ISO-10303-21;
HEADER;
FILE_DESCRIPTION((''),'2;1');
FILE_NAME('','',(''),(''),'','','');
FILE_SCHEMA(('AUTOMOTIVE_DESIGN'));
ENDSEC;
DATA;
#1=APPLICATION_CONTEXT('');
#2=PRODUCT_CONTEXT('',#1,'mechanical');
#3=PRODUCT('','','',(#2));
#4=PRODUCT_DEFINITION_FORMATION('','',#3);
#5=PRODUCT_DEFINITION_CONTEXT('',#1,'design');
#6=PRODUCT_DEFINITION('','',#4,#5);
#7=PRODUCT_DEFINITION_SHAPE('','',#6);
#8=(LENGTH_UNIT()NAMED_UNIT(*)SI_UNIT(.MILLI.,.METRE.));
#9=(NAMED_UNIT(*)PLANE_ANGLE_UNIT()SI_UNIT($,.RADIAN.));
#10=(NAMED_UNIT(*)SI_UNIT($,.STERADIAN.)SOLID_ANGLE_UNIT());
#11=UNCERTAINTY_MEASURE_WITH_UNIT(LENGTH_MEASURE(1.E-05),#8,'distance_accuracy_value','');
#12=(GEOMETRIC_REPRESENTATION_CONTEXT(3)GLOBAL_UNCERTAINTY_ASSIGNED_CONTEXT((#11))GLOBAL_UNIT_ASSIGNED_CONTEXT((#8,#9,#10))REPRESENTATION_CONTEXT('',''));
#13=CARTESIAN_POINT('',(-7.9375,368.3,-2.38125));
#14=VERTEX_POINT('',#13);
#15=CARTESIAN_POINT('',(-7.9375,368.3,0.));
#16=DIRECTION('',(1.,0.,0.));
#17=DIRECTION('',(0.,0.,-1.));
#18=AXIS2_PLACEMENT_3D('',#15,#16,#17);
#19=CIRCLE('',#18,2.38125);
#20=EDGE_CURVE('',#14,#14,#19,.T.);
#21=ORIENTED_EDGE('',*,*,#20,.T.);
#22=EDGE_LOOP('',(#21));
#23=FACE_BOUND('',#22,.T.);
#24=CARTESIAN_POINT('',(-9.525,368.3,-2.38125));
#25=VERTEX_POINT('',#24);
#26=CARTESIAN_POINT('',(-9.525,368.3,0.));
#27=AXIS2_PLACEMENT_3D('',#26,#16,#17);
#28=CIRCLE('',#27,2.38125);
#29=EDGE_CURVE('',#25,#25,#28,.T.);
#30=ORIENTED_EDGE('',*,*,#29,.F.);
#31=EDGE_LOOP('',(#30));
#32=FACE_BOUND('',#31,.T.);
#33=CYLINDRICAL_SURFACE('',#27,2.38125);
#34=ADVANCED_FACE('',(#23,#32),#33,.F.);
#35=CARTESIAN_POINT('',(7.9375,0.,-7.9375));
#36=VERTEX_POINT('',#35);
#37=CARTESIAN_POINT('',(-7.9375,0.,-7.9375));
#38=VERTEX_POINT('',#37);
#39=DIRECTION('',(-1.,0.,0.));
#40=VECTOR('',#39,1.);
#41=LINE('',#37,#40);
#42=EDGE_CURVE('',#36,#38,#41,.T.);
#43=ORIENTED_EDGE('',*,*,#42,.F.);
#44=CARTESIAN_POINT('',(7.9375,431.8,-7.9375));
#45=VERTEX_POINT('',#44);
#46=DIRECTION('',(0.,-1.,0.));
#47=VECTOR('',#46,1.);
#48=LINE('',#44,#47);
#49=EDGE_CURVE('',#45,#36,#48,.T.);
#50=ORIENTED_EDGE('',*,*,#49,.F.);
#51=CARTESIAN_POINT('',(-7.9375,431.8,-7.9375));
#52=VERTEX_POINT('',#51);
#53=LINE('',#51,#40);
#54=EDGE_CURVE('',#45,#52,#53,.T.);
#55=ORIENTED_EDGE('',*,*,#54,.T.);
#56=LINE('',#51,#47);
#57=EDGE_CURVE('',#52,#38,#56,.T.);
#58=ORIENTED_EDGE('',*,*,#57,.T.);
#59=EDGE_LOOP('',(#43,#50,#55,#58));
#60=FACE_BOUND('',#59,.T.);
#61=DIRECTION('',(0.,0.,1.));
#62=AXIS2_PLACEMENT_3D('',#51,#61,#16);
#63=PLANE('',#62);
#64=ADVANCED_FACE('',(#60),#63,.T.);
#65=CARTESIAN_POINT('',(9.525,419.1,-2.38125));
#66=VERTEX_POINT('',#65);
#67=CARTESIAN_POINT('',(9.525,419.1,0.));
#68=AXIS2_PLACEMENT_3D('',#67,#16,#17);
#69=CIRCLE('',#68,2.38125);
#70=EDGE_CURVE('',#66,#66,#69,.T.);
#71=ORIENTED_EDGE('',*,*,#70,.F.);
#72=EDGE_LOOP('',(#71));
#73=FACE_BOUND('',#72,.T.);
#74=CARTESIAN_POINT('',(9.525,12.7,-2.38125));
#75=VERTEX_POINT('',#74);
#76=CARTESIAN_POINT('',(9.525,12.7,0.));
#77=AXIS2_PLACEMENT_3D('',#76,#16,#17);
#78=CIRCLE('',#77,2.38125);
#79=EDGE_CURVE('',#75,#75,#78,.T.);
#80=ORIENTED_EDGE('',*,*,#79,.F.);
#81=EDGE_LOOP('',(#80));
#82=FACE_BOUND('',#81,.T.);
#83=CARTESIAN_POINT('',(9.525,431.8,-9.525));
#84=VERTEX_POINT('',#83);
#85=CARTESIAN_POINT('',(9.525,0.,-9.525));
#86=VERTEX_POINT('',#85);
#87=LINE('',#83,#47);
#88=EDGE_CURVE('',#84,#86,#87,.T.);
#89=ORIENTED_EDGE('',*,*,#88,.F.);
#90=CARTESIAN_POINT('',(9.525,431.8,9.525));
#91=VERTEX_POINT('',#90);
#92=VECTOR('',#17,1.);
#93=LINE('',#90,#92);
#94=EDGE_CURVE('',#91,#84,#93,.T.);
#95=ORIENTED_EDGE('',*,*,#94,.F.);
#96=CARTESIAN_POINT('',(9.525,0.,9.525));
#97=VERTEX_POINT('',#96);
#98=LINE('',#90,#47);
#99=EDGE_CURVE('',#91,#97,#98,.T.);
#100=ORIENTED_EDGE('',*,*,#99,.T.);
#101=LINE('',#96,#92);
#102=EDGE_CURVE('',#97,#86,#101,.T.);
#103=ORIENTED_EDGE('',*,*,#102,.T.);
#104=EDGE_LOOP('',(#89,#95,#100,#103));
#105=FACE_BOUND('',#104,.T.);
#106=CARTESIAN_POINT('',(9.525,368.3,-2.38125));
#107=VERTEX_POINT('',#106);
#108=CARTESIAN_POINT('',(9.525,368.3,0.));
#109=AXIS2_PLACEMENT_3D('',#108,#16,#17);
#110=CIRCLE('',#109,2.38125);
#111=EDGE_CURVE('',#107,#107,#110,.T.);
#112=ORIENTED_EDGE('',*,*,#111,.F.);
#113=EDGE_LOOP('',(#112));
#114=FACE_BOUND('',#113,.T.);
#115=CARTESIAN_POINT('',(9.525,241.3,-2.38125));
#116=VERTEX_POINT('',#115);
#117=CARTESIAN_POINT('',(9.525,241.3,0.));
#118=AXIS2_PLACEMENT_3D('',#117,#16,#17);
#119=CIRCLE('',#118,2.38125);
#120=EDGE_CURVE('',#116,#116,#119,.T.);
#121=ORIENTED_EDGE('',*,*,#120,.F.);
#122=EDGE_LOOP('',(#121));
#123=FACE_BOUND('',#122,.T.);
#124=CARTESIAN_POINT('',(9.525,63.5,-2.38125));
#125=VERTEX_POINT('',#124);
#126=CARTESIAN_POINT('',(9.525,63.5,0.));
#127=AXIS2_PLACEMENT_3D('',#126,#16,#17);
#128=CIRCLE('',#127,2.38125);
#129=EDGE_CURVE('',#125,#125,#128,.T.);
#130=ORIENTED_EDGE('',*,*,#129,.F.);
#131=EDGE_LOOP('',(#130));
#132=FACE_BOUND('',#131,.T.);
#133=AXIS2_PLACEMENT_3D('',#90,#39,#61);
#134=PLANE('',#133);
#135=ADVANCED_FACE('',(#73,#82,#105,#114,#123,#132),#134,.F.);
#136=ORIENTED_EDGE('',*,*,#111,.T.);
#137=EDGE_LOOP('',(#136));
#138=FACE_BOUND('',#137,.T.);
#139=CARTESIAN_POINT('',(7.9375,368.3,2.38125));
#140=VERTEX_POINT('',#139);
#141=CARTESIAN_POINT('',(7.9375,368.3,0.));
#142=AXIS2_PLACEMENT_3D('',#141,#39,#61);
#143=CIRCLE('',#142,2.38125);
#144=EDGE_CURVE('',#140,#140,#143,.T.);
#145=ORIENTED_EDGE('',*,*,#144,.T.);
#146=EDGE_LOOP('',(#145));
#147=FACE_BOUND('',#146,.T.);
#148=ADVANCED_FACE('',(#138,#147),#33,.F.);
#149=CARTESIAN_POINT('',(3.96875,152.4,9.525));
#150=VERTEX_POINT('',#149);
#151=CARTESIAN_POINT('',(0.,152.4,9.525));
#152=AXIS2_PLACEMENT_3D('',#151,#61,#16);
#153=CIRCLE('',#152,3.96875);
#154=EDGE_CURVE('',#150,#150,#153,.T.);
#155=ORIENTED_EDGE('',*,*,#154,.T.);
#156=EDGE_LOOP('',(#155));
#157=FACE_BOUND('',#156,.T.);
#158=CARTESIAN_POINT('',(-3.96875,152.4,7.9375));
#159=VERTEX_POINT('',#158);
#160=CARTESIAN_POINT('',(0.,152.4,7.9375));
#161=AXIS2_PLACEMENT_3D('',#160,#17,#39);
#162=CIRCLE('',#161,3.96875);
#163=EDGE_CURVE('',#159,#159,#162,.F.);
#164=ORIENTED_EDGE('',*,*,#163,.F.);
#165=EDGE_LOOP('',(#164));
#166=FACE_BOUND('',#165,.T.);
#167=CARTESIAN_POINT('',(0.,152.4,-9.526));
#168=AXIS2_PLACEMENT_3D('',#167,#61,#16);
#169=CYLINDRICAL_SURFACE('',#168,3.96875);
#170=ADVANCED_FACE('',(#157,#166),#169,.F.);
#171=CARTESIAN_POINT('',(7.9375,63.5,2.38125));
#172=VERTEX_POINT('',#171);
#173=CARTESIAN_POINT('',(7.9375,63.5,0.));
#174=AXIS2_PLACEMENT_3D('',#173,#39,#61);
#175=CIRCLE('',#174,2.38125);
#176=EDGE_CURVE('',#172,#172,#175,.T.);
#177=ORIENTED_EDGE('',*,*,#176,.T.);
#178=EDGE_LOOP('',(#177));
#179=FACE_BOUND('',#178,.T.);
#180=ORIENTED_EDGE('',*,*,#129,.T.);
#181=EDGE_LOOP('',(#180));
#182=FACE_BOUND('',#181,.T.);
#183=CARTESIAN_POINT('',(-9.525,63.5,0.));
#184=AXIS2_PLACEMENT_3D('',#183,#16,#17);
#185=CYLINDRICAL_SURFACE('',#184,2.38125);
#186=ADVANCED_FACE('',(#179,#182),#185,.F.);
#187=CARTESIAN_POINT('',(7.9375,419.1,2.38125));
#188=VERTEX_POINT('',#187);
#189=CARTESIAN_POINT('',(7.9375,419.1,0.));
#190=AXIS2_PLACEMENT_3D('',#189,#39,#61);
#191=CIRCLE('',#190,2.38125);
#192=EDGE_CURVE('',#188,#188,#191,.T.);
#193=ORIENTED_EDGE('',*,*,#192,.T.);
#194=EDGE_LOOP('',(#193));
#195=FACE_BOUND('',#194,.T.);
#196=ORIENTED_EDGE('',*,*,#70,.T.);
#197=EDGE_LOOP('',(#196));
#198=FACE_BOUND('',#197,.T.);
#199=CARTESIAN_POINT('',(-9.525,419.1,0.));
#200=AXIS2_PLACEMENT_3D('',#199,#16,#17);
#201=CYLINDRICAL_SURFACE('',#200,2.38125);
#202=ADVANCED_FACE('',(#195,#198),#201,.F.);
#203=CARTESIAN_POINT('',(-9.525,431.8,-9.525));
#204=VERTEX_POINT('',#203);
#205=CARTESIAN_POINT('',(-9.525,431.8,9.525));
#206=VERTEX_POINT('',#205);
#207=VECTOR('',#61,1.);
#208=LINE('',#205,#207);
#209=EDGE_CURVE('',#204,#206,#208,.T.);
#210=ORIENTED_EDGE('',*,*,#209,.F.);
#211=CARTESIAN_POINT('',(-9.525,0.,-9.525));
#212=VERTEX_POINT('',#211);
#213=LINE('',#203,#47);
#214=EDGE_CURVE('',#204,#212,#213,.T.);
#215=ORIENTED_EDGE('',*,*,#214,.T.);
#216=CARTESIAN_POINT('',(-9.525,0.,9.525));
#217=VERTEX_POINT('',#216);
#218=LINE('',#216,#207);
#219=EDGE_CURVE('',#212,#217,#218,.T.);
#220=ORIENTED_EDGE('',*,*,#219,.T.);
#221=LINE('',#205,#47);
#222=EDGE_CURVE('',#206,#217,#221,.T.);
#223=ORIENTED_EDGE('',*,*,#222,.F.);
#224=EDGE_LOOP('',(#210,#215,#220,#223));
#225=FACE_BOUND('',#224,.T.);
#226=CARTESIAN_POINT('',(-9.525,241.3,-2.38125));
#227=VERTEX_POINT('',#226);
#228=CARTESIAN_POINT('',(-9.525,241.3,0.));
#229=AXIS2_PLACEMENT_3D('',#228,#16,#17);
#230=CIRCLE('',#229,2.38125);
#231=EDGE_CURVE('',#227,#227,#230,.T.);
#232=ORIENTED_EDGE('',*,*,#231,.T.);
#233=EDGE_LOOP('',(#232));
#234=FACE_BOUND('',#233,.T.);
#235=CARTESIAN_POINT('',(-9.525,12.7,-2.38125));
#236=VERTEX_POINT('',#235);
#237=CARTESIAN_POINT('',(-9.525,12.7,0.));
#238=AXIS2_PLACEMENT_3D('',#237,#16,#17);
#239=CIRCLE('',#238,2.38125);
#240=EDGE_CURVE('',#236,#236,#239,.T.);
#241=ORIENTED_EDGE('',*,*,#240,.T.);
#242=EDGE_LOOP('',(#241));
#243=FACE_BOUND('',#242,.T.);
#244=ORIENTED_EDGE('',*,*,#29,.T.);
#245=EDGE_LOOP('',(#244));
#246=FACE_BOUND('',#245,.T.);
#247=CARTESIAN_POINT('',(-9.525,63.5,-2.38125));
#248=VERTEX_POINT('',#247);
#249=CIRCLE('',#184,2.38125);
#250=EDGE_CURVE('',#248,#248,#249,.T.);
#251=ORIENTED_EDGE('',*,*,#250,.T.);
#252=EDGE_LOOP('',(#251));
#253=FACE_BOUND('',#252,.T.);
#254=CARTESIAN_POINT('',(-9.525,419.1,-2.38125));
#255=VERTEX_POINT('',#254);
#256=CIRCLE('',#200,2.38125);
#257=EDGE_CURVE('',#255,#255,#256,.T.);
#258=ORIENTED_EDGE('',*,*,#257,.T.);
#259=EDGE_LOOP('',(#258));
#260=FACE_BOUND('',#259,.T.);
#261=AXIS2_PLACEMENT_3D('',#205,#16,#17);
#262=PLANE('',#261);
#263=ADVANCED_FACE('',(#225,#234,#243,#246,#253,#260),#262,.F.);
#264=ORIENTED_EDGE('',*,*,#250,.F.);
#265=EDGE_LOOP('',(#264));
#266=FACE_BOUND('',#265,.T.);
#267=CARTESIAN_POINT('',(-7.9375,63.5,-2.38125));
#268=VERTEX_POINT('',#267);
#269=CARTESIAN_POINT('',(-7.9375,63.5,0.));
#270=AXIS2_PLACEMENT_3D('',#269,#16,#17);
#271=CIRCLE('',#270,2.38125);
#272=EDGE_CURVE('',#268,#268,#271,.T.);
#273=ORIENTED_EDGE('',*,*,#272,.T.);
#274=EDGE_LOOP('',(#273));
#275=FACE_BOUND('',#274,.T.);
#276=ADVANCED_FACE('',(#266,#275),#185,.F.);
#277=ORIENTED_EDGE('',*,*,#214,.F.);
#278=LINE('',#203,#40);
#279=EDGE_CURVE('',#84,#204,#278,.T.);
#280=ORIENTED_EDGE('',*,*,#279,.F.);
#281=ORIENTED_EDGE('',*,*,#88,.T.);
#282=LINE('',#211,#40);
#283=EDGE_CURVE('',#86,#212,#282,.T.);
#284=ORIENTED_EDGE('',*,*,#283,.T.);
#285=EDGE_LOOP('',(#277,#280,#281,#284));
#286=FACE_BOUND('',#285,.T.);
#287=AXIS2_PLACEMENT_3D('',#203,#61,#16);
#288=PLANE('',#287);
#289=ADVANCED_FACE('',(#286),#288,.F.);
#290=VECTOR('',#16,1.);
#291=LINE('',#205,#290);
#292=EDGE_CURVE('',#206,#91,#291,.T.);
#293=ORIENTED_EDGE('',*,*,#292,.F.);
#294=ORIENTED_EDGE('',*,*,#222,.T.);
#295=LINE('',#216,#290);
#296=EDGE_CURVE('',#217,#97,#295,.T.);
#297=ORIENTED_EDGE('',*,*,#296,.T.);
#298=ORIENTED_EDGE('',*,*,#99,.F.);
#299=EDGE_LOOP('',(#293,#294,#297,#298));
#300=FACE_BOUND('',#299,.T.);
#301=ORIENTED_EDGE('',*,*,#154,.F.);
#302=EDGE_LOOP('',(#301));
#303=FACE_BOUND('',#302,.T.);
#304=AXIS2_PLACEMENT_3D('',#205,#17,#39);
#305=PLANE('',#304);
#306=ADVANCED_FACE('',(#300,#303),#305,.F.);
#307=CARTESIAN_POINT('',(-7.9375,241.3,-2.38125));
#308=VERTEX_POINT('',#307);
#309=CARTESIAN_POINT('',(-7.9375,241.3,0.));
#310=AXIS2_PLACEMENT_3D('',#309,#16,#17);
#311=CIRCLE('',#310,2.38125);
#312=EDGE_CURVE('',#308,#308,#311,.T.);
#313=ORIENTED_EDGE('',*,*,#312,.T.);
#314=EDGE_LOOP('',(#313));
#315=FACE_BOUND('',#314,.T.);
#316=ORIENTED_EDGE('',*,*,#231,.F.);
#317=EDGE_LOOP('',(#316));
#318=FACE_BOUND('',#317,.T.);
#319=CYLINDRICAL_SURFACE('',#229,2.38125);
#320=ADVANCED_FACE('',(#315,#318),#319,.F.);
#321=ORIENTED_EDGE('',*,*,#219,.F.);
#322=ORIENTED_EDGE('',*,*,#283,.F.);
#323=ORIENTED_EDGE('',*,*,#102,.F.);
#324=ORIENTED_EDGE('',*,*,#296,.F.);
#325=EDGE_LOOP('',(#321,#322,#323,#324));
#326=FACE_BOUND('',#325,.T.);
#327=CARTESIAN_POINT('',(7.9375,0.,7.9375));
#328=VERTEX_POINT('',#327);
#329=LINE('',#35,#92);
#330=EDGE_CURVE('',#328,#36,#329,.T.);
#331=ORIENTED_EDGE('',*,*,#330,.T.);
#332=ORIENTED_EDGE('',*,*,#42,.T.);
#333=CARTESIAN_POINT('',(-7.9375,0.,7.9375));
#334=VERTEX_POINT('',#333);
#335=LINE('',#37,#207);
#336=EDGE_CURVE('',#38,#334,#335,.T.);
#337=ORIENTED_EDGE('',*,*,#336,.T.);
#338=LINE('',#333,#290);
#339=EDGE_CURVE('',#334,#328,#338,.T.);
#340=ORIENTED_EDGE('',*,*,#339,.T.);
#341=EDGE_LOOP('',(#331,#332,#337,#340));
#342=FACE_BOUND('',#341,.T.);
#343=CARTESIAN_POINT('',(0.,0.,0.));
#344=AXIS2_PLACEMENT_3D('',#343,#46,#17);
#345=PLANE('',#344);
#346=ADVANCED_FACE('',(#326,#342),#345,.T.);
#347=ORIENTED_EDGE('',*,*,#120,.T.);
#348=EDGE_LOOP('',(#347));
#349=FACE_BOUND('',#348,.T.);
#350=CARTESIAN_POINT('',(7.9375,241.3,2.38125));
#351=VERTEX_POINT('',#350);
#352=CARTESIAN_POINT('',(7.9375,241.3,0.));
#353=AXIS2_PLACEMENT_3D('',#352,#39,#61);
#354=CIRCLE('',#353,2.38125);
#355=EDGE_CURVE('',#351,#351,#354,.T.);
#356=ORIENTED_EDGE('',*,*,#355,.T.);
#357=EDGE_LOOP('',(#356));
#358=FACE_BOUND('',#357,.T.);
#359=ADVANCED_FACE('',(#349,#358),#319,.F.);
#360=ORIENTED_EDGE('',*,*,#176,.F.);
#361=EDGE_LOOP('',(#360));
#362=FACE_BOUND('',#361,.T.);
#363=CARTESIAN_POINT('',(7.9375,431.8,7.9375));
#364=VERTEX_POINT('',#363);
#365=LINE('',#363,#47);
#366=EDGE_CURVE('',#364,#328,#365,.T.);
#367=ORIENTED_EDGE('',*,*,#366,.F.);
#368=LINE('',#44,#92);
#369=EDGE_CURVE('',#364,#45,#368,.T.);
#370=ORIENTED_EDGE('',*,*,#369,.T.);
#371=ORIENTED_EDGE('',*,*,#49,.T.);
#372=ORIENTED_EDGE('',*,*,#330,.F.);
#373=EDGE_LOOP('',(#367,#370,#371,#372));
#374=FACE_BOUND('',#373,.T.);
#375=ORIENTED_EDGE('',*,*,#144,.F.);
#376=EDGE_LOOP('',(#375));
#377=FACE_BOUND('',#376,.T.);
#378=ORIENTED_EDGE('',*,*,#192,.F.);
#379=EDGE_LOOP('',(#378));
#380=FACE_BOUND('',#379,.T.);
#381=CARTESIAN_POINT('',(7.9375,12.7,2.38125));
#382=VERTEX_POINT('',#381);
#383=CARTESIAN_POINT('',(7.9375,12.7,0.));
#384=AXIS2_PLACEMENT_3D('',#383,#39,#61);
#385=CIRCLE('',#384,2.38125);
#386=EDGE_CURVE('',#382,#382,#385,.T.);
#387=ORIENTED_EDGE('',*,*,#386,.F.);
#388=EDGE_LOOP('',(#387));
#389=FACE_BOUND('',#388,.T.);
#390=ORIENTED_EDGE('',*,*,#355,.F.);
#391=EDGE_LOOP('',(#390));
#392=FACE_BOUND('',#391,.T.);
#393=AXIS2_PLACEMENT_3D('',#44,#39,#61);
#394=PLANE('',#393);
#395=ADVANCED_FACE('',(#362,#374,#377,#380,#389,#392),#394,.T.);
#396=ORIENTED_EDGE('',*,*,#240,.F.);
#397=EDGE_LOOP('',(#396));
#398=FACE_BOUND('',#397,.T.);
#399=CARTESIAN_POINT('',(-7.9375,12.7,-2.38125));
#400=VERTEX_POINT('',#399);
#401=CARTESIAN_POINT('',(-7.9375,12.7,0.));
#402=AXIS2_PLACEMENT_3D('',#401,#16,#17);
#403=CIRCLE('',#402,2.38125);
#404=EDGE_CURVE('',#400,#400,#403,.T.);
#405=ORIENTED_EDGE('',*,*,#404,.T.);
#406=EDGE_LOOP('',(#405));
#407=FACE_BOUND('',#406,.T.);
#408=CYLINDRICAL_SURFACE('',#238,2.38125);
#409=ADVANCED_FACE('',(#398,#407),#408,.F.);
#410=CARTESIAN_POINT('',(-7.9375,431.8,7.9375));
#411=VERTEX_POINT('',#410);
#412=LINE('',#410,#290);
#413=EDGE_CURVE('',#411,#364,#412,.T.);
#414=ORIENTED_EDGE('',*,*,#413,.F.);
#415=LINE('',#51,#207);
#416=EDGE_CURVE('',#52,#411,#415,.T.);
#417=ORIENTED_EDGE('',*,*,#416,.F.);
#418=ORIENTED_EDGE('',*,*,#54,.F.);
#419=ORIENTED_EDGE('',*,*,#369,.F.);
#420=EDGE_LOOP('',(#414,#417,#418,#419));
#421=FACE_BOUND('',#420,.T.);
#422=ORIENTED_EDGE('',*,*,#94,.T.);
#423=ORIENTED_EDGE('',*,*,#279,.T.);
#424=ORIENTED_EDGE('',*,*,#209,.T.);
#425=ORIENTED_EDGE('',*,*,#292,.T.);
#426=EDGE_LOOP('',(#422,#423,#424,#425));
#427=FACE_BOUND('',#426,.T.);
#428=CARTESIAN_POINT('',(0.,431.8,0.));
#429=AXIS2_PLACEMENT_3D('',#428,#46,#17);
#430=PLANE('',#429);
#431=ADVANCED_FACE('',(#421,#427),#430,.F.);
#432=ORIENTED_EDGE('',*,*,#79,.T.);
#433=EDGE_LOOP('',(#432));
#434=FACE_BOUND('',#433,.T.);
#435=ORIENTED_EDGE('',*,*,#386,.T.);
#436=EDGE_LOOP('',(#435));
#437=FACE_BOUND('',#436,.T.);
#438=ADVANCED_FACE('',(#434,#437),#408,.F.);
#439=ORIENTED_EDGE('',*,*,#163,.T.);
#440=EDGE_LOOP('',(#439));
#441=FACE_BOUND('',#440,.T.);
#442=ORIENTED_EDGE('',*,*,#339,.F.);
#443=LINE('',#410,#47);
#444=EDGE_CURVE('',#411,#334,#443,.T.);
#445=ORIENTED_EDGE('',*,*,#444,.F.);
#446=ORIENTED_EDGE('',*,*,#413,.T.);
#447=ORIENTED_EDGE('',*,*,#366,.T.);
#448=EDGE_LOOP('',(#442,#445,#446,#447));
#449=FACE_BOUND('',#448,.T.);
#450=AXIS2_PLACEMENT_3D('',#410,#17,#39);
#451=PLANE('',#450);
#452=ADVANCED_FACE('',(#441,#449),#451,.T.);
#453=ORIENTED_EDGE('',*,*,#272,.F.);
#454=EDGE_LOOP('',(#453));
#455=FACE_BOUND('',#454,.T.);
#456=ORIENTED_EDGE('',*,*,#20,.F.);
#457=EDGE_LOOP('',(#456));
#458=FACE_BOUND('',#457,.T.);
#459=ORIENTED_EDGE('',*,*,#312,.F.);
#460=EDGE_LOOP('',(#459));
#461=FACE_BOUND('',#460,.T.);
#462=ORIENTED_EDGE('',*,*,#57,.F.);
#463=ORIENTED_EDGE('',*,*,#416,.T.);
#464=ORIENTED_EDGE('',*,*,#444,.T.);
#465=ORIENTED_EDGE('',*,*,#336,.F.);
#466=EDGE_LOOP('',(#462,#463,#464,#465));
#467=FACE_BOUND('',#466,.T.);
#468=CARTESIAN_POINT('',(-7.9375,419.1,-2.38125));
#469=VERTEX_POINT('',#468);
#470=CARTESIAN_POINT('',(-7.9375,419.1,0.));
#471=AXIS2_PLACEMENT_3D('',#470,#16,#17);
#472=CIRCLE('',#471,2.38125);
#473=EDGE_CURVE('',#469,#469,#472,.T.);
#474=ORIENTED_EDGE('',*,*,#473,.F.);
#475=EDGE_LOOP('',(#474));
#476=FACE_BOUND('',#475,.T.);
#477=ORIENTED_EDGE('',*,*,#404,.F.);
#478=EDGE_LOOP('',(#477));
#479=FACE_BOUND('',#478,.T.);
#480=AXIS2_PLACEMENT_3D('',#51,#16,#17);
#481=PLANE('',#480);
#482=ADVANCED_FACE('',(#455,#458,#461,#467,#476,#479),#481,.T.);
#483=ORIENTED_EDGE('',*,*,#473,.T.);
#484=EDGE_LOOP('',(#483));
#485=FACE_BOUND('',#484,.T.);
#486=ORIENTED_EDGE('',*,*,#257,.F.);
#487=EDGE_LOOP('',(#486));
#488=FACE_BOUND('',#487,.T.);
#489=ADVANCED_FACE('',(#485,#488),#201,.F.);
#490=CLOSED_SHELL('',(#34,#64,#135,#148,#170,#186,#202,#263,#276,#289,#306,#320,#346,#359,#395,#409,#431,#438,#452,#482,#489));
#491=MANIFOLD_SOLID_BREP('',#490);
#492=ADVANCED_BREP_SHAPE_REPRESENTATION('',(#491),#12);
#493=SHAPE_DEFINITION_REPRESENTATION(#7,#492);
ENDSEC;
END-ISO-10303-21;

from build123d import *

# Parameters (mm, degrees)
SKETCH1_W               = 19.05
SKETCH1_H               = 19.05
SKETCH1_W_2             = 15.875
SKETCH1_H_2             = 15.875
BOSS_EXTRUDE1_DEPTH     = 431.8
CUT_EXTRUDE1_REACH      = 434.325
SKETCH2_R               = 3.96875
CUT_EXTRUDE2_DEPTH      = 433.0100592
CUT_EXTRUDE2_DEPTH_BACK = 433.0100592
SKETCH3_R               = 2.38125


with BuildPart() as part:
    # Sketch1 → Boss-Extrude1 (new body)
    with BuildSketch(Plane(origin=(0, 0, 0), x_dir=(1, 0, 0), z_dir=(0, 1, 0))):
        Rectangle(SKETCH1_W, SKETCH1_H)
        Rectangle(SKETCH1_W_2, SKETCH1_H_2, mode=Mode.SUBTRACT)
    extrude(amount=BOSS_EXTRUDE1_DEPTH)

    # Sketch2 → Cut-Extrude1 (cut, up to next)
    with BuildSketch(Plane.XY.offset(9.525), mode=Mode.PRIVATE) as cut_extrude1_sk1:
        with Locations((0, 152.4)):
            Circle(SKETCH2_R)
    cut_extrude1_tool1 = extrude(cut_extrude1_sk1.sketch, amount=-CUT_EXTRUDE1_REACH, mode=Mode.PRIVATE) & part.part
    add(cut_extrude1_tool1.solids().sort_by_distance((0, 152.4, 9.525))[0], mode=Mode.SUBTRACT)

    # Sketch3 → Cut-Extrude2 (cut, two sides: drawn at the far end of the back side and taken through both)
    with BuildSketch(Plane(origin=(0, 0, 0), x_dir=(0, 0, -1), z_dir=(1, 0, 0)).offset(-CUT_EXTRUDE2_DEPTH_BACK)):
        with Locations((0, 12.7)):
            Circle(SKETCH3_R)
        with Locations((0, 63.5)):
            Circle(SKETCH3_R)
        with Locations((0, 241.3)):
            Circle(SKETCH3_R)
        with Locations((0, 368.3)):
            Circle(SKETCH3_R)
        with Locations((0, 419.1)):
            Circle(SKETCH3_R)
    extrude(amount=CUT_EXTRUDE2_DEPTH + CUT_EXTRUDE2_DEPTH_BACK, mode=Mode.SUBTRACT)


solid = part.part
